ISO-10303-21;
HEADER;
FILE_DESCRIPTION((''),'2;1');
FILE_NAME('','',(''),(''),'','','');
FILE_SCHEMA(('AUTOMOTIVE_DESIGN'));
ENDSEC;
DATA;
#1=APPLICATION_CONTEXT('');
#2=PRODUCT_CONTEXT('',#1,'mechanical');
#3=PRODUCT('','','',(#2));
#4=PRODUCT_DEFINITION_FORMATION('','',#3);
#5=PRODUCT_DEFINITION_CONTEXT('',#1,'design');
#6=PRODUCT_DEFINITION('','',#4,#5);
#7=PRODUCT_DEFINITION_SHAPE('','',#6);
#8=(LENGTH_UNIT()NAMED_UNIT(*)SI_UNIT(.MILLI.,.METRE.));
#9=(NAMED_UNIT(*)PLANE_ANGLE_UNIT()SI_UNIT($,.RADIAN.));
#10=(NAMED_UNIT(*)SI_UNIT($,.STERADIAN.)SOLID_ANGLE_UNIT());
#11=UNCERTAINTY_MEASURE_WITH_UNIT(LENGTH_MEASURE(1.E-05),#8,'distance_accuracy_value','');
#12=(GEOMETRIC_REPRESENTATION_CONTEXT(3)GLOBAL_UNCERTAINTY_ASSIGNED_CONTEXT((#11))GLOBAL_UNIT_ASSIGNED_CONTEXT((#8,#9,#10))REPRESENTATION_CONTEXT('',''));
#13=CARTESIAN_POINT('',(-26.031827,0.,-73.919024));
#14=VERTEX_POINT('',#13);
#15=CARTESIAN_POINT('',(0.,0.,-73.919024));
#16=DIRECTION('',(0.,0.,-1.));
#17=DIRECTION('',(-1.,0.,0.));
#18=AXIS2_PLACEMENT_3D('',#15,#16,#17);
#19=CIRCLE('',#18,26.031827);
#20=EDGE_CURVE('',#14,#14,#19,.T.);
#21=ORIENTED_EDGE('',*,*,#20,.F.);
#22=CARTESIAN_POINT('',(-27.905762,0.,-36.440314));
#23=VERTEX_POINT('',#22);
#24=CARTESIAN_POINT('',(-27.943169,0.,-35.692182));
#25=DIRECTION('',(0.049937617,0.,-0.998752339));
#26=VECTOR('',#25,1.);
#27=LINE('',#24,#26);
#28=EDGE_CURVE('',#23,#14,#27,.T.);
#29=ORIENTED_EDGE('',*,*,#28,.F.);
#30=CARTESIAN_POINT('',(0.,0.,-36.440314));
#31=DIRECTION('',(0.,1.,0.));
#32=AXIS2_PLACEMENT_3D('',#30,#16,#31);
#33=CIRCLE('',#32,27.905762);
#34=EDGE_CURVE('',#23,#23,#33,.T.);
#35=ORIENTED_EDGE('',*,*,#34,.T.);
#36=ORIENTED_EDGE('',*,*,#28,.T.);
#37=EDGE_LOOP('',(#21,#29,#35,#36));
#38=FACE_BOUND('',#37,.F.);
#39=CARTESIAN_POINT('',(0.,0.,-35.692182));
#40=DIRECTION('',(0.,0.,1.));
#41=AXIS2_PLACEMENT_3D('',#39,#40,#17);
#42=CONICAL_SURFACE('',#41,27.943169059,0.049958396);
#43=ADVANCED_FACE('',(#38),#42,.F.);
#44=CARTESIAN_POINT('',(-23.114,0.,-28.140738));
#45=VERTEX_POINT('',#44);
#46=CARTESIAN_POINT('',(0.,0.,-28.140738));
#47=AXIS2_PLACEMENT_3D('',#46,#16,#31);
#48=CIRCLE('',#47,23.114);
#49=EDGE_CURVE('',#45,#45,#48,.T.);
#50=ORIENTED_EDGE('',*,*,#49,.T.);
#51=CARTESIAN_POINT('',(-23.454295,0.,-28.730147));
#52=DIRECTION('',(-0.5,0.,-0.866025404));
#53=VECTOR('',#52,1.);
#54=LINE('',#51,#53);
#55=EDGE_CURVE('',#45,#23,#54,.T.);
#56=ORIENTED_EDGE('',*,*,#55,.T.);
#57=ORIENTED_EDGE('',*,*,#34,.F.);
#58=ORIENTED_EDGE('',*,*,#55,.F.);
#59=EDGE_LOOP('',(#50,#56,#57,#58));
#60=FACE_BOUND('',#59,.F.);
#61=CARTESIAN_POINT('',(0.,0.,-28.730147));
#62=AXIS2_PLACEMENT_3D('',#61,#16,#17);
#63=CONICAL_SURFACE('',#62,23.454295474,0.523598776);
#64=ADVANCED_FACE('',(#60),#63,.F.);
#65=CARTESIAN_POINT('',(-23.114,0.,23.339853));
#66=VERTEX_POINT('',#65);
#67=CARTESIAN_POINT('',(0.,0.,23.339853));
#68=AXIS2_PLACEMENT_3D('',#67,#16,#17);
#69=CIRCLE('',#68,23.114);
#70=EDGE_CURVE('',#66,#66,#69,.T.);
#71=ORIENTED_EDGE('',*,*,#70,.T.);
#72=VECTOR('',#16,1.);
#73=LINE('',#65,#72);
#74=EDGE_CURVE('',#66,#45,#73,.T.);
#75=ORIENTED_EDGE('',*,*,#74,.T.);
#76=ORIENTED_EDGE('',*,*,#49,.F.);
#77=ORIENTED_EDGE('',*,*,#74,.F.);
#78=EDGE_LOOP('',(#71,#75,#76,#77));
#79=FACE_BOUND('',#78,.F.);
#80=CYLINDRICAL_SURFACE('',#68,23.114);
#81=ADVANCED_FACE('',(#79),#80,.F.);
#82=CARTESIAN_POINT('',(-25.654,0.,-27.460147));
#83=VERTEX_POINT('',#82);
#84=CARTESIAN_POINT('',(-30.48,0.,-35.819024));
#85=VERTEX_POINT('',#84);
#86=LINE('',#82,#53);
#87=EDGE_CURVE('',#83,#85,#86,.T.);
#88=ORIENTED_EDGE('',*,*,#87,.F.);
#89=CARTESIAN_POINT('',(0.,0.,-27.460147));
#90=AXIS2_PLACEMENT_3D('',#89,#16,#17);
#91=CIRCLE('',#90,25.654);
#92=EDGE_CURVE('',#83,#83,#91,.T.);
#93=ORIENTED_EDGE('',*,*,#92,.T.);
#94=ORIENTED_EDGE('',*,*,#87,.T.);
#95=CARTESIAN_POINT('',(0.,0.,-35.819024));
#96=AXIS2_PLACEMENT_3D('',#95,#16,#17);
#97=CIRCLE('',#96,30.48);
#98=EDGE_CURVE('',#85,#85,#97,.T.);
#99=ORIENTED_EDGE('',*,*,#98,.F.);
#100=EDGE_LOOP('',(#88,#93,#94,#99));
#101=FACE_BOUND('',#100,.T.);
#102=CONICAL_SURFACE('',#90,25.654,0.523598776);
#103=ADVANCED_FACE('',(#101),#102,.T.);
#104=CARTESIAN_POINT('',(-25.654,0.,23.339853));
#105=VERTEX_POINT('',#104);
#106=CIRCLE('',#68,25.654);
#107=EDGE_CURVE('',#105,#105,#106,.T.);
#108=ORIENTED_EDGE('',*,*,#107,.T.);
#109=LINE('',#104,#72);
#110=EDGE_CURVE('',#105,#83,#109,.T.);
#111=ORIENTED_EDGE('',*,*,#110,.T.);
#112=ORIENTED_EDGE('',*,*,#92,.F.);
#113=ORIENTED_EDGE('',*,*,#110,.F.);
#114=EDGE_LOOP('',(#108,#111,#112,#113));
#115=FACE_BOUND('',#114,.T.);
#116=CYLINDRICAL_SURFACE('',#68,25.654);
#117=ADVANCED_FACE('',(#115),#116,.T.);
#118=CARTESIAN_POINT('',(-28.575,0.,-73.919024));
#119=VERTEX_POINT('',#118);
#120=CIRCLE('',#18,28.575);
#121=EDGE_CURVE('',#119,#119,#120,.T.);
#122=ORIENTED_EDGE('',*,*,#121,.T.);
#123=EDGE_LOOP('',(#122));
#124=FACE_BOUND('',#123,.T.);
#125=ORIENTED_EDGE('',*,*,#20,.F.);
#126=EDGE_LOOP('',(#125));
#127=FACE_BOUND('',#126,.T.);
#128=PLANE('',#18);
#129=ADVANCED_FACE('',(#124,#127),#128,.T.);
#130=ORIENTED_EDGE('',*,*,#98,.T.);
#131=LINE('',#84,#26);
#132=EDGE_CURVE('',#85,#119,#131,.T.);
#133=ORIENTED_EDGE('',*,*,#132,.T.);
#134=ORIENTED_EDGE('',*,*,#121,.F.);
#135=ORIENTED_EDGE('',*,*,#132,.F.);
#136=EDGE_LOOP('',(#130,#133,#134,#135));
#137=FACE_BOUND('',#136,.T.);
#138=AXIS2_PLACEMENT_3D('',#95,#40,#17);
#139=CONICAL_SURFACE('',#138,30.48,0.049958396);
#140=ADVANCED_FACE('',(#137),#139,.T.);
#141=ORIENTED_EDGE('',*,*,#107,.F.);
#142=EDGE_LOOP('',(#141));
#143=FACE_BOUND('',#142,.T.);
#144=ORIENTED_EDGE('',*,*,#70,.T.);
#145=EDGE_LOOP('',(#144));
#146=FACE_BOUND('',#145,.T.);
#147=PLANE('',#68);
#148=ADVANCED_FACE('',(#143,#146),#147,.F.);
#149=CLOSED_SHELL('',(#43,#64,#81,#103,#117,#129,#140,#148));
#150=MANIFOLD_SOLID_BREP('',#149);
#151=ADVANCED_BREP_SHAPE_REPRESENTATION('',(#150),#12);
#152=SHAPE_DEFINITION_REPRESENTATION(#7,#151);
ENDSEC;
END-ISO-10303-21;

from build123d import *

# Parameters (mm, degrees)
F2_T = -2.54


with BuildPart() as f1:
    # F0 (on Front) → F1 (revolve)
    with BuildSketch(Plane.XZ):
        Polygon((-30.48, -35.8190238476), (-28.575, -73.9190238476), (0, -73.9190238476), (0, 23.3398533497), (-25.654, 23.3398533497), (-25.654, -27.4601466503), align=None)
    revolve(axis=Axis((0, 0, -25.2895852489), (0, 0, -1)))

    # F2
    f2_openings = [f1.faces().sort_by_distance(p)[0] for p in [
        (0, 0, 23.339853),
        (0, 0, -73.919024),
    ]]
    offset(amount=F2_T, openings=f2_openings, kind=Kind.INTERSECTION)


solid = f1.part
